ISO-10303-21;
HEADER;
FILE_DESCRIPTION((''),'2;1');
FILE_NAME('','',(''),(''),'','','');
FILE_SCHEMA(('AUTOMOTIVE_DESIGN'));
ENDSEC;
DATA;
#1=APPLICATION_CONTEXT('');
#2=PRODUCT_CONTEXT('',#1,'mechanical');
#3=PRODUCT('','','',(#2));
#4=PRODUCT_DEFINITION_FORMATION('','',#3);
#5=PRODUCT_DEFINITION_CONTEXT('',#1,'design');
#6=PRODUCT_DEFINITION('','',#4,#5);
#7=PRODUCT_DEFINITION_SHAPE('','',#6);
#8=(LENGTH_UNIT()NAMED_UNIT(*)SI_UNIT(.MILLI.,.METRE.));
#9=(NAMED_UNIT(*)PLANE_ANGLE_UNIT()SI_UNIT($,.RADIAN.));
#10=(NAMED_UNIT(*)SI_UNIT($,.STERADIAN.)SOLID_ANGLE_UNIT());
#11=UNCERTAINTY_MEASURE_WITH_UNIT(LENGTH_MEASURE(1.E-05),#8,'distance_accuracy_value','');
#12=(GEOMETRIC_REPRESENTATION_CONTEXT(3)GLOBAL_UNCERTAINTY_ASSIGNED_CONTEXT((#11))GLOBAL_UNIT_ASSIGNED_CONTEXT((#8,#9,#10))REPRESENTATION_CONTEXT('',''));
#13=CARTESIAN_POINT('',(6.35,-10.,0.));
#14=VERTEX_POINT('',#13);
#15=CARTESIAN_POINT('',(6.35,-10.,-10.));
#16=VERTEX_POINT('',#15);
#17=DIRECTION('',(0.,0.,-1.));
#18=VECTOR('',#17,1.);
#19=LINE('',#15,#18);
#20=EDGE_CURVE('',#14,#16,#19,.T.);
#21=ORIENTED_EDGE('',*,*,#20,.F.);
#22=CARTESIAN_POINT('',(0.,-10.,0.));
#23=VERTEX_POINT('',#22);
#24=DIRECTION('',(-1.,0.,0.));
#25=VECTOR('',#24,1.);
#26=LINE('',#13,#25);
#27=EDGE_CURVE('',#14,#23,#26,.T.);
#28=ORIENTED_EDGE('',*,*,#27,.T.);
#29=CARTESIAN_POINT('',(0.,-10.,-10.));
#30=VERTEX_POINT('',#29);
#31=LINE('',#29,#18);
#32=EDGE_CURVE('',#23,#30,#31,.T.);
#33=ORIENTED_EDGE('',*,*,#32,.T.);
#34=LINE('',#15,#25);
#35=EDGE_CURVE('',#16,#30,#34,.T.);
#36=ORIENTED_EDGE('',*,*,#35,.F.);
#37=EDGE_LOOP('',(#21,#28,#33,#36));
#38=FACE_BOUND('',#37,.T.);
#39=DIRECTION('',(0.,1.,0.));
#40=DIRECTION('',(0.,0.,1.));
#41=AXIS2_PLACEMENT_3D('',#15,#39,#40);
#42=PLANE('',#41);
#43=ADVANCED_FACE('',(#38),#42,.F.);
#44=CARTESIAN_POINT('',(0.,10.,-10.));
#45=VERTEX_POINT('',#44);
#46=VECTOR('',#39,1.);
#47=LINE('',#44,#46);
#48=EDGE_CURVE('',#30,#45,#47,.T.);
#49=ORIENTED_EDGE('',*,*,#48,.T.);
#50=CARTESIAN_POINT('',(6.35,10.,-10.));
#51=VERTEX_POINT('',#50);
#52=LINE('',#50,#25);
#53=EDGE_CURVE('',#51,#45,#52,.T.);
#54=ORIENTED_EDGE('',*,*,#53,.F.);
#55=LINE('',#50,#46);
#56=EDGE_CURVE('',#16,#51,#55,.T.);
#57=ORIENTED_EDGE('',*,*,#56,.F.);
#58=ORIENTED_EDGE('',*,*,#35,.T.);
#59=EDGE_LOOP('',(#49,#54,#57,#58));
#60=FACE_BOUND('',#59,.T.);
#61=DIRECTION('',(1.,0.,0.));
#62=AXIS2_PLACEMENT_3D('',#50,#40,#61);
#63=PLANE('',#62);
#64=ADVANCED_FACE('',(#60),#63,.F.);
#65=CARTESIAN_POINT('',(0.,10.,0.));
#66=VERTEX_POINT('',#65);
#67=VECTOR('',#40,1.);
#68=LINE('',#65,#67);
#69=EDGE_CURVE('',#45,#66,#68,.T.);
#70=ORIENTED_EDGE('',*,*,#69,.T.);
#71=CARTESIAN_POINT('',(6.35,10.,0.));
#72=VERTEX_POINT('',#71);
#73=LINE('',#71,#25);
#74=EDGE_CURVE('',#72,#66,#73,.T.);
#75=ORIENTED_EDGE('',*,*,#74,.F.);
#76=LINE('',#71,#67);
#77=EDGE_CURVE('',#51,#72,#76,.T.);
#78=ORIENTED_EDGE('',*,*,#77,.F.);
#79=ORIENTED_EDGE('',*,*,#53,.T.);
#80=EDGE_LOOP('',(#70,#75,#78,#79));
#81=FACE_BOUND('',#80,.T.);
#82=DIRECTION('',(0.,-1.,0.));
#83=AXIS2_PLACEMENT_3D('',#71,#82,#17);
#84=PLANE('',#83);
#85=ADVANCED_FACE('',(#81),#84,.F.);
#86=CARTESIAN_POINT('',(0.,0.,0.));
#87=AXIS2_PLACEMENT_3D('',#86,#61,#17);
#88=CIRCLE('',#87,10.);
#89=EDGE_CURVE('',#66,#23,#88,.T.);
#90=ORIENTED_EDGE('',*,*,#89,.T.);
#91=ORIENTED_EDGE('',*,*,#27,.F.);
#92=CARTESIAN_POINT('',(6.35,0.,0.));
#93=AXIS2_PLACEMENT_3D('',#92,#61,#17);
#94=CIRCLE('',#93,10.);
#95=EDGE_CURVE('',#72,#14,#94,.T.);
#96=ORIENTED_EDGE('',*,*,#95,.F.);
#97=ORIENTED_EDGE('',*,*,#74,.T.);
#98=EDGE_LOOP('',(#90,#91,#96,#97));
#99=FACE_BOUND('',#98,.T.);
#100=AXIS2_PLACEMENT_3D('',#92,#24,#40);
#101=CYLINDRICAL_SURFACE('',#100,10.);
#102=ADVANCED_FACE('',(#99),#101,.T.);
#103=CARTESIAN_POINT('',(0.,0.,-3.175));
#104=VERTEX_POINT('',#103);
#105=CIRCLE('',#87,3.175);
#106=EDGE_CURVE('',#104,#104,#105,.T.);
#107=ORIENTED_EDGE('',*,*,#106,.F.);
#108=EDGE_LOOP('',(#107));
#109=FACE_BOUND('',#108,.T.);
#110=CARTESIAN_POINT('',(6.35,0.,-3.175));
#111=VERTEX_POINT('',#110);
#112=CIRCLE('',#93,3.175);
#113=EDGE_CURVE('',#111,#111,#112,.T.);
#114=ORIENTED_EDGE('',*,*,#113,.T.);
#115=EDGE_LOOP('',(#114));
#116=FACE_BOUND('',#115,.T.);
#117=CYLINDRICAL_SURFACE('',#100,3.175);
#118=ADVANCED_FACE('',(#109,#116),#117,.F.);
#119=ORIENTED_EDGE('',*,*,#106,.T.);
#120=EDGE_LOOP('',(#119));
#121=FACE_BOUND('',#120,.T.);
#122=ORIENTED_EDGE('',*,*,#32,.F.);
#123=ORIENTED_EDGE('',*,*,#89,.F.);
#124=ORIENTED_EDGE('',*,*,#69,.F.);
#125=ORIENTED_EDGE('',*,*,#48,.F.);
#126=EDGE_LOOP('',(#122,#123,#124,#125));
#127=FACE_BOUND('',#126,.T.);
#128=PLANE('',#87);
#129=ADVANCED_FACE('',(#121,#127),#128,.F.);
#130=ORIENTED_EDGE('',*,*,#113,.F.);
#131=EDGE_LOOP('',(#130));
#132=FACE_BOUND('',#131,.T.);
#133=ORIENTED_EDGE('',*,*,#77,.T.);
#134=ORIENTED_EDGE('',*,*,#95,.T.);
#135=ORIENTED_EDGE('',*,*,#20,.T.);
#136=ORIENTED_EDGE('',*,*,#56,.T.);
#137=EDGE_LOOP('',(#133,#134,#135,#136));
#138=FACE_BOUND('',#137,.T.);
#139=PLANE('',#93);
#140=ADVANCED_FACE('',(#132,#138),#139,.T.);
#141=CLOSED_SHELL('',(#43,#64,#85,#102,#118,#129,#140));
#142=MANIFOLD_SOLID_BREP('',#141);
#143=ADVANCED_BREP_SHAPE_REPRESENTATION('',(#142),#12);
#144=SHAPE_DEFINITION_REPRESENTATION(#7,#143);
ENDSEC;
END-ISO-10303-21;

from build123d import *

# Parameters (mm, degrees)
SKETCH1_R           = 3.175
BOSS_EXTRUDE1_DEPTH = 6.35


with BuildPart() as part:
    # Sketch1 → Boss-Extrude1 (new body)
    with BuildSketch(Plane(origin=(0, 0, 0), x_dir=(0, 0, -1), z_dir=(1, 0, 0))):
        with BuildLine():
            Line((0, 10), (10, 10))
            Line((10, 10), (10, -10))
            Line((10, -10), (0, -10))
            ThreePointArc((0, -10), (-10, 0), (0, 10))
        make_face()
        Circle(SKETCH1_R, mode=Mode.SUBTRACT)
    extrude(amount=BOSS_EXTRUDE1_DEPTH)


solid = part.part
